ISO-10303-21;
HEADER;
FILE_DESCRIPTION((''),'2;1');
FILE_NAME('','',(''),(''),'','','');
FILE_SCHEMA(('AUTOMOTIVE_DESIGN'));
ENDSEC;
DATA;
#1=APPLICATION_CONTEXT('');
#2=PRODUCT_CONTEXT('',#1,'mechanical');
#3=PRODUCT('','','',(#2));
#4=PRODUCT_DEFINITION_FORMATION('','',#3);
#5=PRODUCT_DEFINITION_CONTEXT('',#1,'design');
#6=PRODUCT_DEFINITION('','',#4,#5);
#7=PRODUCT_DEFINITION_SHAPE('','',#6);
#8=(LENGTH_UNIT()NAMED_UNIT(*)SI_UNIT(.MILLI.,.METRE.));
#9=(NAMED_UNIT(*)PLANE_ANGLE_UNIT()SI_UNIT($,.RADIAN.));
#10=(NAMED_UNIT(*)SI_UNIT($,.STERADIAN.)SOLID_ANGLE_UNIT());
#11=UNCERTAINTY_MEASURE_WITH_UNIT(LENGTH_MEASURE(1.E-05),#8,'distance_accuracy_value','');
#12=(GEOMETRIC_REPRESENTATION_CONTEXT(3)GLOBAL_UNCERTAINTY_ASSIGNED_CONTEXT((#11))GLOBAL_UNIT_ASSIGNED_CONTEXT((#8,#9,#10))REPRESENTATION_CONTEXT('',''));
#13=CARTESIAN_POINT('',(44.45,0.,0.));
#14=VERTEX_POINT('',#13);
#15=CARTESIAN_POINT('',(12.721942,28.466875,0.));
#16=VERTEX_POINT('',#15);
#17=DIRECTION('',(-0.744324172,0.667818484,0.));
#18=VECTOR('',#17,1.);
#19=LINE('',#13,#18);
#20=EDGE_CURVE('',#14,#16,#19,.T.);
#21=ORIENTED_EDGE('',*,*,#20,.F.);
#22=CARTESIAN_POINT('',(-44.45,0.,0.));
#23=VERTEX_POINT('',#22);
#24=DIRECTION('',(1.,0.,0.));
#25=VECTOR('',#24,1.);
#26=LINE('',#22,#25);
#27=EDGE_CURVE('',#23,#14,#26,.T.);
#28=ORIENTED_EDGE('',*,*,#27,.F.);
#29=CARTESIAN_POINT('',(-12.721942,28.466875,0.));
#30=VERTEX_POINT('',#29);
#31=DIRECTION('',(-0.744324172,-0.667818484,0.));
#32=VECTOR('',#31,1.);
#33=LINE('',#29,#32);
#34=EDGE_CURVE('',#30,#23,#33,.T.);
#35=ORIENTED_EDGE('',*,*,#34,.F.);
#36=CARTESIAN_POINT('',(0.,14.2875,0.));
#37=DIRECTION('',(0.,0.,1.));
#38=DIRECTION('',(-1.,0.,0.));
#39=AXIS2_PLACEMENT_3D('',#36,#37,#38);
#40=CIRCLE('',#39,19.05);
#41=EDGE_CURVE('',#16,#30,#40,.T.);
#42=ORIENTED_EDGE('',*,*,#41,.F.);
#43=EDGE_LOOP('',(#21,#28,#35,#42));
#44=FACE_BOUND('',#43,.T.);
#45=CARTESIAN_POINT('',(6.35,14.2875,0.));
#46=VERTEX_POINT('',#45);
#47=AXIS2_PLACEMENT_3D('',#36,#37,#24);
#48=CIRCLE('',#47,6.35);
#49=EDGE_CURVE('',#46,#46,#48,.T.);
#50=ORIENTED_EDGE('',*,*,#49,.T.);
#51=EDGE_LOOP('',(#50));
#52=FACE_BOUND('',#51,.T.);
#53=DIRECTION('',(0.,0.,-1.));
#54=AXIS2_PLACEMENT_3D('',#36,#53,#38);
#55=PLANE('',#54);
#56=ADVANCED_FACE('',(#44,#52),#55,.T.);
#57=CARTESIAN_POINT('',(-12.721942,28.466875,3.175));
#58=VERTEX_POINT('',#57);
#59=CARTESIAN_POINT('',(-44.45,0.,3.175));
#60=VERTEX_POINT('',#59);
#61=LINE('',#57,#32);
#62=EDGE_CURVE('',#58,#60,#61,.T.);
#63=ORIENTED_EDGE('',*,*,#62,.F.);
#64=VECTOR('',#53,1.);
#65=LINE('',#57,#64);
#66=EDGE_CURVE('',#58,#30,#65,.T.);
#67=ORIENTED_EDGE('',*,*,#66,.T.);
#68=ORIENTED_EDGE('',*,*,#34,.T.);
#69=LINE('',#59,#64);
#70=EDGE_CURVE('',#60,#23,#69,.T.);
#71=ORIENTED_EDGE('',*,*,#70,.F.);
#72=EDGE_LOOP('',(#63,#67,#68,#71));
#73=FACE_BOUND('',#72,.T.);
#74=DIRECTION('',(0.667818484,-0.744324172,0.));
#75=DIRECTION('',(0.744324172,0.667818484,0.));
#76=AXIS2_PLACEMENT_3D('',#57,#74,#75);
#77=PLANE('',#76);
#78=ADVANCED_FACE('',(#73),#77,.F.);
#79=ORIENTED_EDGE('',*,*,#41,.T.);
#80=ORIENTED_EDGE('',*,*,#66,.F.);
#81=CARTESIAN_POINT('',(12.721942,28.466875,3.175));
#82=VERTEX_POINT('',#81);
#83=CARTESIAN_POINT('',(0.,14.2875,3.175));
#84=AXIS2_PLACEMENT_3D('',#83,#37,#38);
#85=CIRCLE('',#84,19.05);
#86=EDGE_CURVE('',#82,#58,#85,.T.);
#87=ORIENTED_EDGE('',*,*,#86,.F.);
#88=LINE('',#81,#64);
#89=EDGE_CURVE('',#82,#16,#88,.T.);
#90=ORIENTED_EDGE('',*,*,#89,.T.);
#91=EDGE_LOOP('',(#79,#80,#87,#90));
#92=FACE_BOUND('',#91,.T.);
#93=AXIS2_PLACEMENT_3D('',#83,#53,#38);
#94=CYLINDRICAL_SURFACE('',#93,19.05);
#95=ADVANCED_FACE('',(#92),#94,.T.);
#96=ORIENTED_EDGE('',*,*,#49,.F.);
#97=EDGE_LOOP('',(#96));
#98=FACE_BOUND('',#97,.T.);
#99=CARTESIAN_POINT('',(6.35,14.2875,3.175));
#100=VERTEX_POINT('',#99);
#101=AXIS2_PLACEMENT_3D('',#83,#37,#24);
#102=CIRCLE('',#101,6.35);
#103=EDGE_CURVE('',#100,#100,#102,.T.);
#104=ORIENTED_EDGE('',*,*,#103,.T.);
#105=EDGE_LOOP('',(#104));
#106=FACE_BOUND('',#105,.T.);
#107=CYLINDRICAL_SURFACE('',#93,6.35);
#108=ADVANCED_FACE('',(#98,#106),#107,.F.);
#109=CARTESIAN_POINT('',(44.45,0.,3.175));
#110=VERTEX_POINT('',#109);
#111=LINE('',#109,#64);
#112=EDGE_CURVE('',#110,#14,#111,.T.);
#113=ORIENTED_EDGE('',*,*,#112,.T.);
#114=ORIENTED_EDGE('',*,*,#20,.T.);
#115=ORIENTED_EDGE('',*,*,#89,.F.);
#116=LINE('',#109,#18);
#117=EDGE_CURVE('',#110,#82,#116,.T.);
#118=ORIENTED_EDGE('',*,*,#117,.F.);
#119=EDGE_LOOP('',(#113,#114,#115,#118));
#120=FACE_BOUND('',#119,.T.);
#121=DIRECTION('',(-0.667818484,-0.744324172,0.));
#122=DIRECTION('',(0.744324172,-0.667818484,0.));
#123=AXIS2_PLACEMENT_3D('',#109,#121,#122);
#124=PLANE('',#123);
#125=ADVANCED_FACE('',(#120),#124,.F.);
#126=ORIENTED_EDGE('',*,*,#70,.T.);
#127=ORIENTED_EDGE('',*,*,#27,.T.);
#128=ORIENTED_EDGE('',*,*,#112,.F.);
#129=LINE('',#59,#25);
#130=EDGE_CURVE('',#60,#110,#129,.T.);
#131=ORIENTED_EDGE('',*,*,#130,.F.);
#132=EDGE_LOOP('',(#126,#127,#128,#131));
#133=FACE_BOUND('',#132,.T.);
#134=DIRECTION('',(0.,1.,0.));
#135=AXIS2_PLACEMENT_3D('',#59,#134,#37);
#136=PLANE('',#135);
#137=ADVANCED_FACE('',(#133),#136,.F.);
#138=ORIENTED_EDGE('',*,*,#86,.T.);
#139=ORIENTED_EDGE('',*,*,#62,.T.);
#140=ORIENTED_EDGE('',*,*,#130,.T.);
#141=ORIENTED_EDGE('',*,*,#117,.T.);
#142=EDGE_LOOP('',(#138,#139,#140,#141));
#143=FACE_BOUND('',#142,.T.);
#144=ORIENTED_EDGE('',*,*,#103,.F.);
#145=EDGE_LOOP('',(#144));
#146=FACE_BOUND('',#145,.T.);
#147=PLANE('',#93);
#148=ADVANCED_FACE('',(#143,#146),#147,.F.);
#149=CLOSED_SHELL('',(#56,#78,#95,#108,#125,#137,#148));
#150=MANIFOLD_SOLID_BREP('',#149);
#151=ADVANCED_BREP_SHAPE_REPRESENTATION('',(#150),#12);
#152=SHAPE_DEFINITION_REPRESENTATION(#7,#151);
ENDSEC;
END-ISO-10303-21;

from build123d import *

# Parameters (mm, degrees)
SKETCH1_R      = 6.35
EXTRUDE1_DEPTH = 3.175


with BuildPart() as part:
    # Sketch1 → Extrude1 (new body)
    with BuildSketch(Plane.XY):
        with BuildLine():
            Line((-12.721942116, 28.466875473), (-44.45, 0))
            Line((-44.45, 0), (44.45, 0))
            Line((44.45, 0), (12.721942116, 28.466875473))
            ThreePointArc((12.721942116, 28.466875473), (0, 33.3375), (-12.721942116, 28.466875473))
        make_face()
        with Locations((0, 14.2875)):
            Circle(SKETCH1_R, mode=Mode.SUBTRACT)
    extrude(amount=EXTRUDE1_DEPTH)


solid = part.part
